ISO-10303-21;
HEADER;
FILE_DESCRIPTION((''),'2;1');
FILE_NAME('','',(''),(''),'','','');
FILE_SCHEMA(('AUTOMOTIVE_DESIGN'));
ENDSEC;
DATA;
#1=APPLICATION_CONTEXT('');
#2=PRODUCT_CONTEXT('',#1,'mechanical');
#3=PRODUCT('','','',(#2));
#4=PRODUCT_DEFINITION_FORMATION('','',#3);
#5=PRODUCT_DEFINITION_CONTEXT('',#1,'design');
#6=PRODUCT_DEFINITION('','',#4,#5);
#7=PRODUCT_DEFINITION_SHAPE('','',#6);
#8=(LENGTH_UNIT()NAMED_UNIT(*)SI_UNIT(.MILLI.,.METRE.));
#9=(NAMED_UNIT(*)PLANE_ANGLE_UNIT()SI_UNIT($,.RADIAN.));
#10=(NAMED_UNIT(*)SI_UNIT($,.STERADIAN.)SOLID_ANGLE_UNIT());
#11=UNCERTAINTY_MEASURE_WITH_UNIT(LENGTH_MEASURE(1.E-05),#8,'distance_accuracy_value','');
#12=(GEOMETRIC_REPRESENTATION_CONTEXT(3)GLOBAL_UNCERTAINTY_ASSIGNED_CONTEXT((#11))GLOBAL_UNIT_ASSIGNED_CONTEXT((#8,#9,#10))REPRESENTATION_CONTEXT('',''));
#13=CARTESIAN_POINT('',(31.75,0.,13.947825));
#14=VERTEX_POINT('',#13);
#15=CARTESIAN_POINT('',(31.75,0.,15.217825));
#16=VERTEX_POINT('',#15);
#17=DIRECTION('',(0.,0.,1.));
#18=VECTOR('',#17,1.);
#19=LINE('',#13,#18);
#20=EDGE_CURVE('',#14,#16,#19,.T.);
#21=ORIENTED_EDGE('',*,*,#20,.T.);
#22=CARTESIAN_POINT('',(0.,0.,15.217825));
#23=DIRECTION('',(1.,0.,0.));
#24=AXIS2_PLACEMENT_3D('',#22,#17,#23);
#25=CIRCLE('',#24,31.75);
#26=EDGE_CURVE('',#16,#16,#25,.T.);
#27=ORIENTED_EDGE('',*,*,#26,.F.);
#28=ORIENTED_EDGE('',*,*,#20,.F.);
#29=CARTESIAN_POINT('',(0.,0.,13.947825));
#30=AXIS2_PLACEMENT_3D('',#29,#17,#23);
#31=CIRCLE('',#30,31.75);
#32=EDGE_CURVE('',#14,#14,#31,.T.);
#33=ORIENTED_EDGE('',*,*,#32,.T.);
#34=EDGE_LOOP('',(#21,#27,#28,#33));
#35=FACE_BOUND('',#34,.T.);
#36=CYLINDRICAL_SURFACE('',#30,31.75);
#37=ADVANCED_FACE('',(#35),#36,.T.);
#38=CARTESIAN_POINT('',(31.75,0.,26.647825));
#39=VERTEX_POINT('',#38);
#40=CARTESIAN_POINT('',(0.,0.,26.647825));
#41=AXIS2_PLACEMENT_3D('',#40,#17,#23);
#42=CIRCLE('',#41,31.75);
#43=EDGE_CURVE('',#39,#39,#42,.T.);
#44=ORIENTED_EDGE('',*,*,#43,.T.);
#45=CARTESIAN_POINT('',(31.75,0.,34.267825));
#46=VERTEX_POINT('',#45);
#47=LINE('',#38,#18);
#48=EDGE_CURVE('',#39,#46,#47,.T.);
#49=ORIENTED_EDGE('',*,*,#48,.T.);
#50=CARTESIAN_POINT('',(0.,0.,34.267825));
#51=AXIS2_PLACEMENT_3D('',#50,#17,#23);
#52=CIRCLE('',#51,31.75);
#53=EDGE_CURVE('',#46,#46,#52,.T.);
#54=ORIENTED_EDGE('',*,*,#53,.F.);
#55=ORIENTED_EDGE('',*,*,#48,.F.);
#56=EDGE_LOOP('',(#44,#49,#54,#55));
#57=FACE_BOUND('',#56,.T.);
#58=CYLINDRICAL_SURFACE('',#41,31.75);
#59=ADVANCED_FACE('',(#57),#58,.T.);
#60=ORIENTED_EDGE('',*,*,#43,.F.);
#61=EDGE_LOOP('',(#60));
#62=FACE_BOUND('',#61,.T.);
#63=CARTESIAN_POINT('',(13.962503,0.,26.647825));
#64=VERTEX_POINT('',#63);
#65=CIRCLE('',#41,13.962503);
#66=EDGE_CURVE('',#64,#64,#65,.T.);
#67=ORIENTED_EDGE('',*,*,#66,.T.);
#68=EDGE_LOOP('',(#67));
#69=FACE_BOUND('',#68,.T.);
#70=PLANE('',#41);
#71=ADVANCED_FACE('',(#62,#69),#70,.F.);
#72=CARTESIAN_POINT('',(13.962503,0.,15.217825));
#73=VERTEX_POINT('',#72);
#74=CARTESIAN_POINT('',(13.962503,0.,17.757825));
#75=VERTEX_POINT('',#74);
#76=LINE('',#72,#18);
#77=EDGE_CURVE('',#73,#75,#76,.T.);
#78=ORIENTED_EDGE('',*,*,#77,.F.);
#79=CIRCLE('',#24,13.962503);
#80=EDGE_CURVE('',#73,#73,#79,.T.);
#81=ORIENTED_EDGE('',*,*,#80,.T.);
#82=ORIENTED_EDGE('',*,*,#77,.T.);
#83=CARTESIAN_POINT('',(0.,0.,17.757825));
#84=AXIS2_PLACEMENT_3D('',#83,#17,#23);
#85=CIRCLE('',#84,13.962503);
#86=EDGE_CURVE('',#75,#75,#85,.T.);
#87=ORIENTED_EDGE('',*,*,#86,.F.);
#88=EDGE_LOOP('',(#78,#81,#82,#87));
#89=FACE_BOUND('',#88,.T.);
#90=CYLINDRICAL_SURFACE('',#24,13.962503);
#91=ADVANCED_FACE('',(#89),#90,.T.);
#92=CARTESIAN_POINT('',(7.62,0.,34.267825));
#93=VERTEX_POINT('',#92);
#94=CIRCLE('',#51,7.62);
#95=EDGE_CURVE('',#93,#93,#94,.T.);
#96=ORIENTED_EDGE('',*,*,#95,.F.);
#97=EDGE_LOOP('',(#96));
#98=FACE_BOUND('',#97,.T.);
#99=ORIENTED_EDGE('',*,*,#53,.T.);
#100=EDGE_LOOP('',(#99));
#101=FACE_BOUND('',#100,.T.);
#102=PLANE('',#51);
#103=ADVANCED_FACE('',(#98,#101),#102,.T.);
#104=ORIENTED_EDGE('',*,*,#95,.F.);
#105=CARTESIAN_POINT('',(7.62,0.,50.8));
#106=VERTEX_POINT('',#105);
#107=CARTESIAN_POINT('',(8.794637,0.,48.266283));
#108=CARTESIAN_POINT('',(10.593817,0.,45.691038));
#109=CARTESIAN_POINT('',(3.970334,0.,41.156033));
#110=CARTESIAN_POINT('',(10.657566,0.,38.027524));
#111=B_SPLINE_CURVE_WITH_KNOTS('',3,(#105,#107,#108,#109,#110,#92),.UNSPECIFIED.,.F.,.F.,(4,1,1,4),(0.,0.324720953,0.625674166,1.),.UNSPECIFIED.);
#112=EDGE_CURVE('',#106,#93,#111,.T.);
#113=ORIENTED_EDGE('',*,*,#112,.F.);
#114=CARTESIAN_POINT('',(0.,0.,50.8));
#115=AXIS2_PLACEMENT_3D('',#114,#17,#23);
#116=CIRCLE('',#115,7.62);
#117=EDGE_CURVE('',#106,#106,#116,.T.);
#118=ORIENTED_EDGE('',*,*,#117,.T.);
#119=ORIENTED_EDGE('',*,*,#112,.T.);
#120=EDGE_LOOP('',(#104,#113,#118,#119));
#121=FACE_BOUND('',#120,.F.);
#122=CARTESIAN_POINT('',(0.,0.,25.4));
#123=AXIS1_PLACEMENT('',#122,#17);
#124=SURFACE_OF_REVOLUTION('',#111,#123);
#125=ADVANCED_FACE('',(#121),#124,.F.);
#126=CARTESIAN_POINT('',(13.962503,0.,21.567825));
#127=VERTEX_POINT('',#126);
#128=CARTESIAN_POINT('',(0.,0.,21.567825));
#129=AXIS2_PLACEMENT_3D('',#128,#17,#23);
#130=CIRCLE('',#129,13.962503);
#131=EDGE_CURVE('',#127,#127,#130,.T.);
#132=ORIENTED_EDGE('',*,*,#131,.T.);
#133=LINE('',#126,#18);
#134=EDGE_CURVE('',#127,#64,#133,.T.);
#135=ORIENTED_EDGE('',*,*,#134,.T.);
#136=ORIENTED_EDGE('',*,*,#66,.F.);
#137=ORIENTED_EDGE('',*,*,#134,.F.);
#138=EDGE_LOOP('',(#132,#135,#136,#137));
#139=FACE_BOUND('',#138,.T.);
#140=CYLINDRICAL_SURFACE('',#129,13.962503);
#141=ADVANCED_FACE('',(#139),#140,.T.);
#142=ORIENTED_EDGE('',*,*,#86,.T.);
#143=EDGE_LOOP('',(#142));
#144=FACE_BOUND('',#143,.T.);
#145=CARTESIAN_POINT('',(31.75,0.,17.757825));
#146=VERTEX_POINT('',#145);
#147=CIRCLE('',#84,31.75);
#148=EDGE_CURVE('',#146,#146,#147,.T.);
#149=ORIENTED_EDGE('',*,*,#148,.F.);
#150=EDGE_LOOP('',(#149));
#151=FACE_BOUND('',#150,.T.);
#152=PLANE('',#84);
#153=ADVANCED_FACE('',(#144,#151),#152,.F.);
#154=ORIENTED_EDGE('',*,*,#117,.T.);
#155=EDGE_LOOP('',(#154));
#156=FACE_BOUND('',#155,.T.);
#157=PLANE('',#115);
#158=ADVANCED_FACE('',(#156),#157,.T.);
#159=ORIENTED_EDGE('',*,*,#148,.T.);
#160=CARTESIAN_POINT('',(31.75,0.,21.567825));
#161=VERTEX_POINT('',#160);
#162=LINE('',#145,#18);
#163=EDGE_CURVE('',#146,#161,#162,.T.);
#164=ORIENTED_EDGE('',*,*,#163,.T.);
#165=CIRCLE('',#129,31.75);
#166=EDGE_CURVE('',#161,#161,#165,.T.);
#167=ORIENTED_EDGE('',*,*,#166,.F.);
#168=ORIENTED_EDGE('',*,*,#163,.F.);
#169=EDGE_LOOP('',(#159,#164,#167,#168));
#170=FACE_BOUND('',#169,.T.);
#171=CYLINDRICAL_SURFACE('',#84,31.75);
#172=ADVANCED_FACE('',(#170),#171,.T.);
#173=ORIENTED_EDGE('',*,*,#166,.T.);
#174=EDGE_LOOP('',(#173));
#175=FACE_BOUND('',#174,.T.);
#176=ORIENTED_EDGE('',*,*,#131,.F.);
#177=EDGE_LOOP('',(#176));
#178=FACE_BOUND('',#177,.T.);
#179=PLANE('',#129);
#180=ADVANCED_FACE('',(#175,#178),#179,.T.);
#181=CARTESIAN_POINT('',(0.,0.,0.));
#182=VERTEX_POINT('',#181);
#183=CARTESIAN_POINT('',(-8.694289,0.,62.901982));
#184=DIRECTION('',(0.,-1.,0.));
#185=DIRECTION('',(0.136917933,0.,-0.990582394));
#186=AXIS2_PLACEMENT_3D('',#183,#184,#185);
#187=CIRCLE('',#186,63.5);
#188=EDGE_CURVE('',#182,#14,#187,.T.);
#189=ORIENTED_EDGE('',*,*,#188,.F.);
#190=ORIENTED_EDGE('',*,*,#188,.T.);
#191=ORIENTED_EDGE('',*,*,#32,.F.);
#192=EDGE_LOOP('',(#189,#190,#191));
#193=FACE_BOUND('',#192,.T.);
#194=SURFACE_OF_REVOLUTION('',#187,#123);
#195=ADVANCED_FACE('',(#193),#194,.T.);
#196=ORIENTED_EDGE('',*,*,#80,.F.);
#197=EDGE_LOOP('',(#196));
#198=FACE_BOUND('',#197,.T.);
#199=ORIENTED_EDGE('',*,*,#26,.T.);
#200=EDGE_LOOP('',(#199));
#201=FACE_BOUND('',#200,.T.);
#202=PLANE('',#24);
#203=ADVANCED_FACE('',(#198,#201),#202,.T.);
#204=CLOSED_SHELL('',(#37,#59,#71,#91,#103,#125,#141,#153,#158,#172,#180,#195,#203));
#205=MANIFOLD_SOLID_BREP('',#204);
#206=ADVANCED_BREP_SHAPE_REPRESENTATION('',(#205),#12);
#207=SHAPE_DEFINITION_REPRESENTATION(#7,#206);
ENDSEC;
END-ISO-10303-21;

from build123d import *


with BuildPart() as f1:
    # F0 (on Front) → F1 (revolve)
    with BuildSketch(Plane.XZ):
        with BuildLine():
            Line((31.75, 17.7578248391), (31.75, 21.5678248391))
            Line((31.75, 21.5678248391), (13.9625025913, 21.5678248391))
            Line((13.9625025913, 21.5678248391), (13.9625025913, 26.6478248391))
            Line((13.9625025913, 26.6478248391), (31.75, 26.6478248391))
            Line((31.75, 26.6478248391), (31.75, 34.2678248391))
            Line((31.75, 34.2678248391), (7.62, 34.2678248391))
            add(Edge.make_bspline(
                [(7.62, 50.8), (8.7946373317, 48.2662832015), (10.5938172445, 45.6910384811), (3.9703337235, 41.1560327641), (10.6575661956, 38.0275243968), (7.62, 34.2678248391)],
                knots=[0, 0, 0, 0, 0.3247209532, 0.6256741659, 1, 1, 1, 1], degree=3))
            Line((7.62, 50.8), (0, 50.8))
            Line((0, 50.8), (0, 0))
            ThreePointArc((0, 0), (16.8455899513, 4.7645191049), (31.75, 13.9478248391))
            Line((31.75, 13.9478248391), (31.75, 15.2178248391))
            Line((31.75, 15.2178248391), (13.9625025913, 15.2178248391))
            Line((13.9625025913, 15.2178248391), (13.9625025913, 17.7578248391))
            Line((13.9625025913, 17.7578248391), (31.75, 17.7578248391))
        make_face()
    revolve(axis=Axis((0, 0, 25.4), (0, 0, 1)))


solid = f1.part
